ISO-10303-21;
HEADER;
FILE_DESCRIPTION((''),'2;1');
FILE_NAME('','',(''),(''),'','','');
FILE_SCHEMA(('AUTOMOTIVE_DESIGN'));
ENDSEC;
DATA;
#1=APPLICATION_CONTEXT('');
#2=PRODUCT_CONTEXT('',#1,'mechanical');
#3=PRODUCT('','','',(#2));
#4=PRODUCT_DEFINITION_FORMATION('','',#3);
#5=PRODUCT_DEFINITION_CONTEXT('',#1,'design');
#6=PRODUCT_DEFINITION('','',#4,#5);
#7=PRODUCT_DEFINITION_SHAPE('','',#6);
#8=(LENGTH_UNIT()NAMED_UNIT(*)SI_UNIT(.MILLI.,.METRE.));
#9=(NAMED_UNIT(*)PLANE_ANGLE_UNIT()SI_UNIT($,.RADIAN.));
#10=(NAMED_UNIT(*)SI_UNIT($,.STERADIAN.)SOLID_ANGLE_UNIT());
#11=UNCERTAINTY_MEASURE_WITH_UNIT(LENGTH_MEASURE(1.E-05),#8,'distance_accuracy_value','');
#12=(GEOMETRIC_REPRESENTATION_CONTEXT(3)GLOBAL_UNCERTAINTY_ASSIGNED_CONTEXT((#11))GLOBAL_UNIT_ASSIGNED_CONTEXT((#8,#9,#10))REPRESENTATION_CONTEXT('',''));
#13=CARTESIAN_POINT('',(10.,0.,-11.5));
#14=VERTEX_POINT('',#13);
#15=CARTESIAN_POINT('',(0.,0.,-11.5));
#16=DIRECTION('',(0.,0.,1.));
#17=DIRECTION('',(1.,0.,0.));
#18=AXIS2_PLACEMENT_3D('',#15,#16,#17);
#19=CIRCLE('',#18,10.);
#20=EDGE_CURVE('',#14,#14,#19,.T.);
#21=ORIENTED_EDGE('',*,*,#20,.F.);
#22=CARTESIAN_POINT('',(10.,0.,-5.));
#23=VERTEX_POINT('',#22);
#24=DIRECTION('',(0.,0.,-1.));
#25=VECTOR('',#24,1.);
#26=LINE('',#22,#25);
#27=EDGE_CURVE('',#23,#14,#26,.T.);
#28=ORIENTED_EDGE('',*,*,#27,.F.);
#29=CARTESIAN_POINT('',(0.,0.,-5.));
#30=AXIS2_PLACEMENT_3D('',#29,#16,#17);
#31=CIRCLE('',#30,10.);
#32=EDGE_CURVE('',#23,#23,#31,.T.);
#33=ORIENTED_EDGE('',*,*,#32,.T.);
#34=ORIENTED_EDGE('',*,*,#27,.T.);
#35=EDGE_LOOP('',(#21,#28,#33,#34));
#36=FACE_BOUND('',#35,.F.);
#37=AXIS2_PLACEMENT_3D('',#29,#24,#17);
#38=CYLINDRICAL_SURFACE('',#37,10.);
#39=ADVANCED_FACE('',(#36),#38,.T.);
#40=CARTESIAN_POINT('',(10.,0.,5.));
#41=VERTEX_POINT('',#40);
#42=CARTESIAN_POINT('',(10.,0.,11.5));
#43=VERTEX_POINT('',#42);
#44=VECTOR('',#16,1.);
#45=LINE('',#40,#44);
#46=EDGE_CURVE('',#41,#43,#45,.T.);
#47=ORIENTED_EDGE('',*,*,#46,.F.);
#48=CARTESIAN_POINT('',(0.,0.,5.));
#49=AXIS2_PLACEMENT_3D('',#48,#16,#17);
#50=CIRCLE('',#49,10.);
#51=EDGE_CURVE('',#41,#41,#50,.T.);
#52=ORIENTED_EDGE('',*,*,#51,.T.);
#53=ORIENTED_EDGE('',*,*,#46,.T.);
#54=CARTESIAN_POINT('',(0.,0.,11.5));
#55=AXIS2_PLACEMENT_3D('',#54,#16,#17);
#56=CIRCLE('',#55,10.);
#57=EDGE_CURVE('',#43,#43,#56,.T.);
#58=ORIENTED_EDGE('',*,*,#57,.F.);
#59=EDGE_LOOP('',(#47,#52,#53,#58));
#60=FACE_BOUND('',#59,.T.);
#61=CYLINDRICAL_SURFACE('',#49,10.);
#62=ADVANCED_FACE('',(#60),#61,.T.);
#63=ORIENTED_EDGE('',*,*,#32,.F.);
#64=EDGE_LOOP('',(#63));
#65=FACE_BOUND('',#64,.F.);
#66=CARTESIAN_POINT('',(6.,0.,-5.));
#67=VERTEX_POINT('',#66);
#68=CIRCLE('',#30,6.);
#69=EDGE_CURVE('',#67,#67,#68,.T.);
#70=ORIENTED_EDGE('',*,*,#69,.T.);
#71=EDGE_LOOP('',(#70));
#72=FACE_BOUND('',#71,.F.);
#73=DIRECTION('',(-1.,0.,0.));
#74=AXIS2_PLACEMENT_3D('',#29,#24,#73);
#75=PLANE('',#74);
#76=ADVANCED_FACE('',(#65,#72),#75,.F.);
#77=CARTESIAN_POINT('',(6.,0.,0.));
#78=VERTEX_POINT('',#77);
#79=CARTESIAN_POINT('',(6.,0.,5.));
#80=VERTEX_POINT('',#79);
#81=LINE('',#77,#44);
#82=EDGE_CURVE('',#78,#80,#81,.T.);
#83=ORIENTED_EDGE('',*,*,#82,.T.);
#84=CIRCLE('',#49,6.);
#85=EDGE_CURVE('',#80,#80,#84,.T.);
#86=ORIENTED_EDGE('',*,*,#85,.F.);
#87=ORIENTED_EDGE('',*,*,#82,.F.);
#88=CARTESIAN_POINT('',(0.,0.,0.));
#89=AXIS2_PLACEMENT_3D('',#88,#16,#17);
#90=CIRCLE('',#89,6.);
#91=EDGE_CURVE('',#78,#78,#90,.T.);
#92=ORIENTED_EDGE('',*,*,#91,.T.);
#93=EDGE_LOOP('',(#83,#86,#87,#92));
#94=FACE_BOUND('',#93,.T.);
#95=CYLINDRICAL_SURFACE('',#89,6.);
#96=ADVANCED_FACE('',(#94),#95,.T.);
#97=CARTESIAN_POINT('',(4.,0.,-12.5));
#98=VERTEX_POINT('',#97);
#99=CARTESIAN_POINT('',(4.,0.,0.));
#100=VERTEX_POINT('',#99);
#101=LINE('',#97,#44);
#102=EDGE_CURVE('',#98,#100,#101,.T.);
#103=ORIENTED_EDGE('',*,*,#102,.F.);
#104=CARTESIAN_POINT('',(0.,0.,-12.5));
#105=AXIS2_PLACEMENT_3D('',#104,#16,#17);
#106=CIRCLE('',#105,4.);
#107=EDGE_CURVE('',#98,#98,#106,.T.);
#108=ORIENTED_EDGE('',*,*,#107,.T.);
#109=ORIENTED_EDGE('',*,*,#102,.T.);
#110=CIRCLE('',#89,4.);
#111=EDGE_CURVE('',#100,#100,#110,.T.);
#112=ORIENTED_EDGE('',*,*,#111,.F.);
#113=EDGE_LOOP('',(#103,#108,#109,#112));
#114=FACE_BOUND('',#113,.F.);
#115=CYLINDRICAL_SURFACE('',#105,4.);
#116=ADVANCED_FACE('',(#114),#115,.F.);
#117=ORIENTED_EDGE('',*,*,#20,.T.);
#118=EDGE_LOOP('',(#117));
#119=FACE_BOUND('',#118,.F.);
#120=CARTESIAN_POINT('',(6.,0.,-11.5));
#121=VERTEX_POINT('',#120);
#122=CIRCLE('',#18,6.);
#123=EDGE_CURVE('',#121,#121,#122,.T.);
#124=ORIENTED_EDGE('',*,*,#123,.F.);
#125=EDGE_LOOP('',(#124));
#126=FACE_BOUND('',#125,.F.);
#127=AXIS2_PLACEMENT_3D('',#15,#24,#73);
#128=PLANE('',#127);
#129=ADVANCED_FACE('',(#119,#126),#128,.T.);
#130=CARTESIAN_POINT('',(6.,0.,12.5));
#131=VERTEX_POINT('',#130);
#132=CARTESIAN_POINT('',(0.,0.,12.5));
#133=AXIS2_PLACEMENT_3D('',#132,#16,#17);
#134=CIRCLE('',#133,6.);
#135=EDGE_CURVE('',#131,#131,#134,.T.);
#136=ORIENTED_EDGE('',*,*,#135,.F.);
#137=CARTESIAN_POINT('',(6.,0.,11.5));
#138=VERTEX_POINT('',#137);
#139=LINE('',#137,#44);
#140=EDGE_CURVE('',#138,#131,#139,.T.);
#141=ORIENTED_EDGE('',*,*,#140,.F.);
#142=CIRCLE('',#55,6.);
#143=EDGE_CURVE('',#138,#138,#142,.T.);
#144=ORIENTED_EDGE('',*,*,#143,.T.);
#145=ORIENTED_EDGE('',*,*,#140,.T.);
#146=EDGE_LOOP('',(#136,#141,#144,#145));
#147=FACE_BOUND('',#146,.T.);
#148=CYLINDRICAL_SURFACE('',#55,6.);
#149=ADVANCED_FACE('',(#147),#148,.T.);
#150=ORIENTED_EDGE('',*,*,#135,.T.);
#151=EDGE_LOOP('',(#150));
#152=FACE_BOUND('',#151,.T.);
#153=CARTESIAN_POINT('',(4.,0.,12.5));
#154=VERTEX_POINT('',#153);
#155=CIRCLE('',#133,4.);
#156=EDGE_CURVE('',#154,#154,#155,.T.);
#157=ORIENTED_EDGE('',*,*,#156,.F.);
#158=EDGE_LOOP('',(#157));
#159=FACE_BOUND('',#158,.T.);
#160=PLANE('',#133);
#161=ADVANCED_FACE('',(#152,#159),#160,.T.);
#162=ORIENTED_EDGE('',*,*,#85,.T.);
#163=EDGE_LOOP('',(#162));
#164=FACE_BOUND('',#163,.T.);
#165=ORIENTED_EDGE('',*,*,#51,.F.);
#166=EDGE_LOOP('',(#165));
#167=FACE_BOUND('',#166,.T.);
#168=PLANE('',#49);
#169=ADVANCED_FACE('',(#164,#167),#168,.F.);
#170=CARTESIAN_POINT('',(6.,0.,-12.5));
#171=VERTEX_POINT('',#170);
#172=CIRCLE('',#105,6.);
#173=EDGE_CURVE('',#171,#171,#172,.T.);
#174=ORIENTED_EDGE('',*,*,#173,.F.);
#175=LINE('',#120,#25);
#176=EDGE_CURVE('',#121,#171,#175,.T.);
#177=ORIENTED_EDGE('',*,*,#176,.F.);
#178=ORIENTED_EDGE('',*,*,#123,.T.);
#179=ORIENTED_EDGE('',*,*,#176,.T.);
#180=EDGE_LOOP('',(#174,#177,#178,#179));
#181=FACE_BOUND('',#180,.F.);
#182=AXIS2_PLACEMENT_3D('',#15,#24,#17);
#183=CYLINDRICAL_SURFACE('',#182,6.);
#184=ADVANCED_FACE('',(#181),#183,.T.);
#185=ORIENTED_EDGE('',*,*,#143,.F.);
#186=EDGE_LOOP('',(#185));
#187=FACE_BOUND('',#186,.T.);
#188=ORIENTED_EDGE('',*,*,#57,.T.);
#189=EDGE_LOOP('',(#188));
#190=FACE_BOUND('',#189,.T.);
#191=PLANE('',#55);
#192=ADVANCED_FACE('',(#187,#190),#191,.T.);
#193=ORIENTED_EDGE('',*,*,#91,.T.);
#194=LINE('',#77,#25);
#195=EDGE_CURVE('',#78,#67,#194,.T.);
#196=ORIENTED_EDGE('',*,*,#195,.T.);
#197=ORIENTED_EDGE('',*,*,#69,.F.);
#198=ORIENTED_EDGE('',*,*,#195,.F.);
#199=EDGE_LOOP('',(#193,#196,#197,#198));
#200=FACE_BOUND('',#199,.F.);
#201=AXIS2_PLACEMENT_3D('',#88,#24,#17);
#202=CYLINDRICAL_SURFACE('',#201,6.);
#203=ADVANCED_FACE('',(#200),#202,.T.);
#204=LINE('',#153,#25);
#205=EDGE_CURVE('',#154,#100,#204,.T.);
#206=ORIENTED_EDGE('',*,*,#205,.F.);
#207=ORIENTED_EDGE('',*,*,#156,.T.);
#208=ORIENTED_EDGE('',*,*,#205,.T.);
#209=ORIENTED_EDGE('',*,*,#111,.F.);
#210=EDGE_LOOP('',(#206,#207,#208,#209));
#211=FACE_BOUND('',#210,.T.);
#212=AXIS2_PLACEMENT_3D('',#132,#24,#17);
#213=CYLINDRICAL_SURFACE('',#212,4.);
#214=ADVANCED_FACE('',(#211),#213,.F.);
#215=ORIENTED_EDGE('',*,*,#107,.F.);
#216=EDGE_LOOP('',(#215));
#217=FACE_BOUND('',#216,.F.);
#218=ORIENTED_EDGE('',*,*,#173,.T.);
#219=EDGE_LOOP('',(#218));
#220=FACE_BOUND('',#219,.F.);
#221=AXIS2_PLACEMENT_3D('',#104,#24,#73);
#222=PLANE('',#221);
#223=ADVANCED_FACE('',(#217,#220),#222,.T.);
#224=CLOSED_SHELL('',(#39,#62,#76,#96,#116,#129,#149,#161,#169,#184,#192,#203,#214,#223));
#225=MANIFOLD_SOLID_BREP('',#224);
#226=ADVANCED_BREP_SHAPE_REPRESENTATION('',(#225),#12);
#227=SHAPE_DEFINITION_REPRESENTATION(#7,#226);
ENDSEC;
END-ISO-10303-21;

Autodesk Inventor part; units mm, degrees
ref_plane "YZ Plane" through (0, 0, 0) normal (1, 0, 0) x (0, 1, 0)
ref_plane "XZ Plane" through (0, 0, 0) normal (0, 1, 0) x (-1, 0, 0)
ref_plane "XY Plane" through (0, 0, 0) normal (0, 0, 1) x (1, 0, 0)
sketch "スケッチ2" plane through (0, 0, 0) normal (0, 1, 0) x (-1, 0, 0)
  line L0 (-6, 0) -> (-6, 5)
  line L1 (-6, 5) -> (-10, 5)
  line L2 (-10, 5) -> (-10, 11.5)
  line L3 (-10, 11.5) -> (-6, 11.5)
  line L4 (-6, 11.5) -> (-6, 12.5)
  line L5 (-6, 12.5) -> (-4, 12.5)
  line L6 (-4, 12.5) -> (-4, 0)
  line L7 (-4, 0) -> (-6, 0)
  line L8 (0, -14.5) -> (0, 17) projected
  circle A0 centre (0, 0) radius 4 construction
  circle A1 centre (0, 0) radius 10 construction
  circle A2 centre (0, 0) radius 6.7 construction
  dimension "d4" = 4
  dimension "d5" = 6
  dimension "d6" = 10
  dimension "d7" = 12.5
  dimension "d8" = 5
  dimension "d9" = 1
  dimension "d11" = 8
  dimension "d12" = 20
  dimension "d14" = 3.3
revolve "回転1" add sketch "スケッチ2" angle 360 about axis through (0, 0, -10) along (0, 0, 1)
mirror "ミラー1" about plane through (6, 0, 0) normal (0, 0, -1) of "回転1"
properties part number "POMベアリング" material "アセタール樹脂、白"
